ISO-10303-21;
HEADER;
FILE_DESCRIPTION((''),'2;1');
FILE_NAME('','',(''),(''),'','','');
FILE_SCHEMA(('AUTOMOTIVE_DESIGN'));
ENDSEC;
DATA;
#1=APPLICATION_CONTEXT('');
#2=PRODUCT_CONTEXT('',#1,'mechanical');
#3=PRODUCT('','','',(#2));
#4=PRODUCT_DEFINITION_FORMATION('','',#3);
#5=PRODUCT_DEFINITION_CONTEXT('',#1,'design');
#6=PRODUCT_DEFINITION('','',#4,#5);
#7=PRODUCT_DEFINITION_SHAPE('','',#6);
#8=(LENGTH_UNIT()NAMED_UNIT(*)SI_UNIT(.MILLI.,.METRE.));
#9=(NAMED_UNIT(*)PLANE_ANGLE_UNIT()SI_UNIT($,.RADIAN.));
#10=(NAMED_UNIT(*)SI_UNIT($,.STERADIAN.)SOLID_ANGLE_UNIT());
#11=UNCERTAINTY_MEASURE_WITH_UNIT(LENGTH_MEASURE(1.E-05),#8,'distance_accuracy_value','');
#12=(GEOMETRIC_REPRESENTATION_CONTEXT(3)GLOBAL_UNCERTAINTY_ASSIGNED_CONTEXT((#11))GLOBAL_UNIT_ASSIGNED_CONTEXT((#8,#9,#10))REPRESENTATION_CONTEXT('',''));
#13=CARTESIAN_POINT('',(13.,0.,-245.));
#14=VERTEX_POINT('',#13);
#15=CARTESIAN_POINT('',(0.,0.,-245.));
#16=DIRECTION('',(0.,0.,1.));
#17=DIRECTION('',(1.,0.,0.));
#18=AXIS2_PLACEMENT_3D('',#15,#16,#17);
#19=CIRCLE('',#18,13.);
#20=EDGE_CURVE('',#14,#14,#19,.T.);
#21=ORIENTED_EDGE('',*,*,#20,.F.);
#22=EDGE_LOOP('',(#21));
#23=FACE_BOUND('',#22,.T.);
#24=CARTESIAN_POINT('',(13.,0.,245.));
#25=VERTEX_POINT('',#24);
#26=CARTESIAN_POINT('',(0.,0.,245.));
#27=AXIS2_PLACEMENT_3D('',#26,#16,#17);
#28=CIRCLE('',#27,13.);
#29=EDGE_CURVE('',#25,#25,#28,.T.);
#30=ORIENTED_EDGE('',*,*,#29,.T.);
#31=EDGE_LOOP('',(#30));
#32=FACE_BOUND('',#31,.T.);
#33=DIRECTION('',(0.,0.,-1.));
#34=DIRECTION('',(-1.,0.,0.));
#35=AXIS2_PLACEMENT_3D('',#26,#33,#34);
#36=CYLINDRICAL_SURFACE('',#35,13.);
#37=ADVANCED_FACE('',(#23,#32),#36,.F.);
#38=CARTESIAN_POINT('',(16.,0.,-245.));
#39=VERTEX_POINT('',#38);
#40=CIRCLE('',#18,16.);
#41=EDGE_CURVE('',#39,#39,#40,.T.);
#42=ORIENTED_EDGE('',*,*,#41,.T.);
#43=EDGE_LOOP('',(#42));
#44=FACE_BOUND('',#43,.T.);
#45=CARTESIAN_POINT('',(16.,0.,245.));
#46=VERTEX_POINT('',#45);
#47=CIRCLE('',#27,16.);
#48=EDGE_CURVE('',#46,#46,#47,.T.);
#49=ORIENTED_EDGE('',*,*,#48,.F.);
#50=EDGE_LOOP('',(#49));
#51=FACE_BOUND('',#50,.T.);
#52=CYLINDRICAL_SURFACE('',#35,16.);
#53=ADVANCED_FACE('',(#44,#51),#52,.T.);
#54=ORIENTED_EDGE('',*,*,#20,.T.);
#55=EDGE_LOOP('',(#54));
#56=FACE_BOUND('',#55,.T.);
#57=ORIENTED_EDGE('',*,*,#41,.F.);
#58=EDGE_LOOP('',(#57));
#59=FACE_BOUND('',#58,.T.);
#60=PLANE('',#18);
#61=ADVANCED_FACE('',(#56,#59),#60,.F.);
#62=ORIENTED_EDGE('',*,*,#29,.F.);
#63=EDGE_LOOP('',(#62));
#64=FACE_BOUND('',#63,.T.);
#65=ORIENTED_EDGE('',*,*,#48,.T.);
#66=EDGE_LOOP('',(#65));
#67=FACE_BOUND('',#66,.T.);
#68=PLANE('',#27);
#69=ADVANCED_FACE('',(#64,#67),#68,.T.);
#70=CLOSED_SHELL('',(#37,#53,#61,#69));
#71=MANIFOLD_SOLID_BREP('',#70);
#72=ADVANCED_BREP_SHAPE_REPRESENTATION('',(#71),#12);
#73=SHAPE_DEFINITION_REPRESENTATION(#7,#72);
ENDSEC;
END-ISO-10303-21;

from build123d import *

# Parameters (mm, degrees)
CROQUIS1_R     = 16
EXTRUIR1_DEPTH = 245
VACIADO1_T     = -3


with BuildPart() as part:
    # Croquis1 → Extruir1 (new, symmetric)
    with BuildSketch(Plane.XY):
        Circle(CROQUIS1_R)
    extrude(amount=EXTRUIR1_DEPTH, both=True)

    # Vaciado1
    vaciado1_openings = [part.faces().sort_by_distance(p)[0] for p in [
        (0, 0, 245),
        (0, 0, -245),
    ]]
    offset(amount=VACIADO1_T, openings=vaciado1_openings, kind=Kind.INTERSECTION)


solid = part.part
